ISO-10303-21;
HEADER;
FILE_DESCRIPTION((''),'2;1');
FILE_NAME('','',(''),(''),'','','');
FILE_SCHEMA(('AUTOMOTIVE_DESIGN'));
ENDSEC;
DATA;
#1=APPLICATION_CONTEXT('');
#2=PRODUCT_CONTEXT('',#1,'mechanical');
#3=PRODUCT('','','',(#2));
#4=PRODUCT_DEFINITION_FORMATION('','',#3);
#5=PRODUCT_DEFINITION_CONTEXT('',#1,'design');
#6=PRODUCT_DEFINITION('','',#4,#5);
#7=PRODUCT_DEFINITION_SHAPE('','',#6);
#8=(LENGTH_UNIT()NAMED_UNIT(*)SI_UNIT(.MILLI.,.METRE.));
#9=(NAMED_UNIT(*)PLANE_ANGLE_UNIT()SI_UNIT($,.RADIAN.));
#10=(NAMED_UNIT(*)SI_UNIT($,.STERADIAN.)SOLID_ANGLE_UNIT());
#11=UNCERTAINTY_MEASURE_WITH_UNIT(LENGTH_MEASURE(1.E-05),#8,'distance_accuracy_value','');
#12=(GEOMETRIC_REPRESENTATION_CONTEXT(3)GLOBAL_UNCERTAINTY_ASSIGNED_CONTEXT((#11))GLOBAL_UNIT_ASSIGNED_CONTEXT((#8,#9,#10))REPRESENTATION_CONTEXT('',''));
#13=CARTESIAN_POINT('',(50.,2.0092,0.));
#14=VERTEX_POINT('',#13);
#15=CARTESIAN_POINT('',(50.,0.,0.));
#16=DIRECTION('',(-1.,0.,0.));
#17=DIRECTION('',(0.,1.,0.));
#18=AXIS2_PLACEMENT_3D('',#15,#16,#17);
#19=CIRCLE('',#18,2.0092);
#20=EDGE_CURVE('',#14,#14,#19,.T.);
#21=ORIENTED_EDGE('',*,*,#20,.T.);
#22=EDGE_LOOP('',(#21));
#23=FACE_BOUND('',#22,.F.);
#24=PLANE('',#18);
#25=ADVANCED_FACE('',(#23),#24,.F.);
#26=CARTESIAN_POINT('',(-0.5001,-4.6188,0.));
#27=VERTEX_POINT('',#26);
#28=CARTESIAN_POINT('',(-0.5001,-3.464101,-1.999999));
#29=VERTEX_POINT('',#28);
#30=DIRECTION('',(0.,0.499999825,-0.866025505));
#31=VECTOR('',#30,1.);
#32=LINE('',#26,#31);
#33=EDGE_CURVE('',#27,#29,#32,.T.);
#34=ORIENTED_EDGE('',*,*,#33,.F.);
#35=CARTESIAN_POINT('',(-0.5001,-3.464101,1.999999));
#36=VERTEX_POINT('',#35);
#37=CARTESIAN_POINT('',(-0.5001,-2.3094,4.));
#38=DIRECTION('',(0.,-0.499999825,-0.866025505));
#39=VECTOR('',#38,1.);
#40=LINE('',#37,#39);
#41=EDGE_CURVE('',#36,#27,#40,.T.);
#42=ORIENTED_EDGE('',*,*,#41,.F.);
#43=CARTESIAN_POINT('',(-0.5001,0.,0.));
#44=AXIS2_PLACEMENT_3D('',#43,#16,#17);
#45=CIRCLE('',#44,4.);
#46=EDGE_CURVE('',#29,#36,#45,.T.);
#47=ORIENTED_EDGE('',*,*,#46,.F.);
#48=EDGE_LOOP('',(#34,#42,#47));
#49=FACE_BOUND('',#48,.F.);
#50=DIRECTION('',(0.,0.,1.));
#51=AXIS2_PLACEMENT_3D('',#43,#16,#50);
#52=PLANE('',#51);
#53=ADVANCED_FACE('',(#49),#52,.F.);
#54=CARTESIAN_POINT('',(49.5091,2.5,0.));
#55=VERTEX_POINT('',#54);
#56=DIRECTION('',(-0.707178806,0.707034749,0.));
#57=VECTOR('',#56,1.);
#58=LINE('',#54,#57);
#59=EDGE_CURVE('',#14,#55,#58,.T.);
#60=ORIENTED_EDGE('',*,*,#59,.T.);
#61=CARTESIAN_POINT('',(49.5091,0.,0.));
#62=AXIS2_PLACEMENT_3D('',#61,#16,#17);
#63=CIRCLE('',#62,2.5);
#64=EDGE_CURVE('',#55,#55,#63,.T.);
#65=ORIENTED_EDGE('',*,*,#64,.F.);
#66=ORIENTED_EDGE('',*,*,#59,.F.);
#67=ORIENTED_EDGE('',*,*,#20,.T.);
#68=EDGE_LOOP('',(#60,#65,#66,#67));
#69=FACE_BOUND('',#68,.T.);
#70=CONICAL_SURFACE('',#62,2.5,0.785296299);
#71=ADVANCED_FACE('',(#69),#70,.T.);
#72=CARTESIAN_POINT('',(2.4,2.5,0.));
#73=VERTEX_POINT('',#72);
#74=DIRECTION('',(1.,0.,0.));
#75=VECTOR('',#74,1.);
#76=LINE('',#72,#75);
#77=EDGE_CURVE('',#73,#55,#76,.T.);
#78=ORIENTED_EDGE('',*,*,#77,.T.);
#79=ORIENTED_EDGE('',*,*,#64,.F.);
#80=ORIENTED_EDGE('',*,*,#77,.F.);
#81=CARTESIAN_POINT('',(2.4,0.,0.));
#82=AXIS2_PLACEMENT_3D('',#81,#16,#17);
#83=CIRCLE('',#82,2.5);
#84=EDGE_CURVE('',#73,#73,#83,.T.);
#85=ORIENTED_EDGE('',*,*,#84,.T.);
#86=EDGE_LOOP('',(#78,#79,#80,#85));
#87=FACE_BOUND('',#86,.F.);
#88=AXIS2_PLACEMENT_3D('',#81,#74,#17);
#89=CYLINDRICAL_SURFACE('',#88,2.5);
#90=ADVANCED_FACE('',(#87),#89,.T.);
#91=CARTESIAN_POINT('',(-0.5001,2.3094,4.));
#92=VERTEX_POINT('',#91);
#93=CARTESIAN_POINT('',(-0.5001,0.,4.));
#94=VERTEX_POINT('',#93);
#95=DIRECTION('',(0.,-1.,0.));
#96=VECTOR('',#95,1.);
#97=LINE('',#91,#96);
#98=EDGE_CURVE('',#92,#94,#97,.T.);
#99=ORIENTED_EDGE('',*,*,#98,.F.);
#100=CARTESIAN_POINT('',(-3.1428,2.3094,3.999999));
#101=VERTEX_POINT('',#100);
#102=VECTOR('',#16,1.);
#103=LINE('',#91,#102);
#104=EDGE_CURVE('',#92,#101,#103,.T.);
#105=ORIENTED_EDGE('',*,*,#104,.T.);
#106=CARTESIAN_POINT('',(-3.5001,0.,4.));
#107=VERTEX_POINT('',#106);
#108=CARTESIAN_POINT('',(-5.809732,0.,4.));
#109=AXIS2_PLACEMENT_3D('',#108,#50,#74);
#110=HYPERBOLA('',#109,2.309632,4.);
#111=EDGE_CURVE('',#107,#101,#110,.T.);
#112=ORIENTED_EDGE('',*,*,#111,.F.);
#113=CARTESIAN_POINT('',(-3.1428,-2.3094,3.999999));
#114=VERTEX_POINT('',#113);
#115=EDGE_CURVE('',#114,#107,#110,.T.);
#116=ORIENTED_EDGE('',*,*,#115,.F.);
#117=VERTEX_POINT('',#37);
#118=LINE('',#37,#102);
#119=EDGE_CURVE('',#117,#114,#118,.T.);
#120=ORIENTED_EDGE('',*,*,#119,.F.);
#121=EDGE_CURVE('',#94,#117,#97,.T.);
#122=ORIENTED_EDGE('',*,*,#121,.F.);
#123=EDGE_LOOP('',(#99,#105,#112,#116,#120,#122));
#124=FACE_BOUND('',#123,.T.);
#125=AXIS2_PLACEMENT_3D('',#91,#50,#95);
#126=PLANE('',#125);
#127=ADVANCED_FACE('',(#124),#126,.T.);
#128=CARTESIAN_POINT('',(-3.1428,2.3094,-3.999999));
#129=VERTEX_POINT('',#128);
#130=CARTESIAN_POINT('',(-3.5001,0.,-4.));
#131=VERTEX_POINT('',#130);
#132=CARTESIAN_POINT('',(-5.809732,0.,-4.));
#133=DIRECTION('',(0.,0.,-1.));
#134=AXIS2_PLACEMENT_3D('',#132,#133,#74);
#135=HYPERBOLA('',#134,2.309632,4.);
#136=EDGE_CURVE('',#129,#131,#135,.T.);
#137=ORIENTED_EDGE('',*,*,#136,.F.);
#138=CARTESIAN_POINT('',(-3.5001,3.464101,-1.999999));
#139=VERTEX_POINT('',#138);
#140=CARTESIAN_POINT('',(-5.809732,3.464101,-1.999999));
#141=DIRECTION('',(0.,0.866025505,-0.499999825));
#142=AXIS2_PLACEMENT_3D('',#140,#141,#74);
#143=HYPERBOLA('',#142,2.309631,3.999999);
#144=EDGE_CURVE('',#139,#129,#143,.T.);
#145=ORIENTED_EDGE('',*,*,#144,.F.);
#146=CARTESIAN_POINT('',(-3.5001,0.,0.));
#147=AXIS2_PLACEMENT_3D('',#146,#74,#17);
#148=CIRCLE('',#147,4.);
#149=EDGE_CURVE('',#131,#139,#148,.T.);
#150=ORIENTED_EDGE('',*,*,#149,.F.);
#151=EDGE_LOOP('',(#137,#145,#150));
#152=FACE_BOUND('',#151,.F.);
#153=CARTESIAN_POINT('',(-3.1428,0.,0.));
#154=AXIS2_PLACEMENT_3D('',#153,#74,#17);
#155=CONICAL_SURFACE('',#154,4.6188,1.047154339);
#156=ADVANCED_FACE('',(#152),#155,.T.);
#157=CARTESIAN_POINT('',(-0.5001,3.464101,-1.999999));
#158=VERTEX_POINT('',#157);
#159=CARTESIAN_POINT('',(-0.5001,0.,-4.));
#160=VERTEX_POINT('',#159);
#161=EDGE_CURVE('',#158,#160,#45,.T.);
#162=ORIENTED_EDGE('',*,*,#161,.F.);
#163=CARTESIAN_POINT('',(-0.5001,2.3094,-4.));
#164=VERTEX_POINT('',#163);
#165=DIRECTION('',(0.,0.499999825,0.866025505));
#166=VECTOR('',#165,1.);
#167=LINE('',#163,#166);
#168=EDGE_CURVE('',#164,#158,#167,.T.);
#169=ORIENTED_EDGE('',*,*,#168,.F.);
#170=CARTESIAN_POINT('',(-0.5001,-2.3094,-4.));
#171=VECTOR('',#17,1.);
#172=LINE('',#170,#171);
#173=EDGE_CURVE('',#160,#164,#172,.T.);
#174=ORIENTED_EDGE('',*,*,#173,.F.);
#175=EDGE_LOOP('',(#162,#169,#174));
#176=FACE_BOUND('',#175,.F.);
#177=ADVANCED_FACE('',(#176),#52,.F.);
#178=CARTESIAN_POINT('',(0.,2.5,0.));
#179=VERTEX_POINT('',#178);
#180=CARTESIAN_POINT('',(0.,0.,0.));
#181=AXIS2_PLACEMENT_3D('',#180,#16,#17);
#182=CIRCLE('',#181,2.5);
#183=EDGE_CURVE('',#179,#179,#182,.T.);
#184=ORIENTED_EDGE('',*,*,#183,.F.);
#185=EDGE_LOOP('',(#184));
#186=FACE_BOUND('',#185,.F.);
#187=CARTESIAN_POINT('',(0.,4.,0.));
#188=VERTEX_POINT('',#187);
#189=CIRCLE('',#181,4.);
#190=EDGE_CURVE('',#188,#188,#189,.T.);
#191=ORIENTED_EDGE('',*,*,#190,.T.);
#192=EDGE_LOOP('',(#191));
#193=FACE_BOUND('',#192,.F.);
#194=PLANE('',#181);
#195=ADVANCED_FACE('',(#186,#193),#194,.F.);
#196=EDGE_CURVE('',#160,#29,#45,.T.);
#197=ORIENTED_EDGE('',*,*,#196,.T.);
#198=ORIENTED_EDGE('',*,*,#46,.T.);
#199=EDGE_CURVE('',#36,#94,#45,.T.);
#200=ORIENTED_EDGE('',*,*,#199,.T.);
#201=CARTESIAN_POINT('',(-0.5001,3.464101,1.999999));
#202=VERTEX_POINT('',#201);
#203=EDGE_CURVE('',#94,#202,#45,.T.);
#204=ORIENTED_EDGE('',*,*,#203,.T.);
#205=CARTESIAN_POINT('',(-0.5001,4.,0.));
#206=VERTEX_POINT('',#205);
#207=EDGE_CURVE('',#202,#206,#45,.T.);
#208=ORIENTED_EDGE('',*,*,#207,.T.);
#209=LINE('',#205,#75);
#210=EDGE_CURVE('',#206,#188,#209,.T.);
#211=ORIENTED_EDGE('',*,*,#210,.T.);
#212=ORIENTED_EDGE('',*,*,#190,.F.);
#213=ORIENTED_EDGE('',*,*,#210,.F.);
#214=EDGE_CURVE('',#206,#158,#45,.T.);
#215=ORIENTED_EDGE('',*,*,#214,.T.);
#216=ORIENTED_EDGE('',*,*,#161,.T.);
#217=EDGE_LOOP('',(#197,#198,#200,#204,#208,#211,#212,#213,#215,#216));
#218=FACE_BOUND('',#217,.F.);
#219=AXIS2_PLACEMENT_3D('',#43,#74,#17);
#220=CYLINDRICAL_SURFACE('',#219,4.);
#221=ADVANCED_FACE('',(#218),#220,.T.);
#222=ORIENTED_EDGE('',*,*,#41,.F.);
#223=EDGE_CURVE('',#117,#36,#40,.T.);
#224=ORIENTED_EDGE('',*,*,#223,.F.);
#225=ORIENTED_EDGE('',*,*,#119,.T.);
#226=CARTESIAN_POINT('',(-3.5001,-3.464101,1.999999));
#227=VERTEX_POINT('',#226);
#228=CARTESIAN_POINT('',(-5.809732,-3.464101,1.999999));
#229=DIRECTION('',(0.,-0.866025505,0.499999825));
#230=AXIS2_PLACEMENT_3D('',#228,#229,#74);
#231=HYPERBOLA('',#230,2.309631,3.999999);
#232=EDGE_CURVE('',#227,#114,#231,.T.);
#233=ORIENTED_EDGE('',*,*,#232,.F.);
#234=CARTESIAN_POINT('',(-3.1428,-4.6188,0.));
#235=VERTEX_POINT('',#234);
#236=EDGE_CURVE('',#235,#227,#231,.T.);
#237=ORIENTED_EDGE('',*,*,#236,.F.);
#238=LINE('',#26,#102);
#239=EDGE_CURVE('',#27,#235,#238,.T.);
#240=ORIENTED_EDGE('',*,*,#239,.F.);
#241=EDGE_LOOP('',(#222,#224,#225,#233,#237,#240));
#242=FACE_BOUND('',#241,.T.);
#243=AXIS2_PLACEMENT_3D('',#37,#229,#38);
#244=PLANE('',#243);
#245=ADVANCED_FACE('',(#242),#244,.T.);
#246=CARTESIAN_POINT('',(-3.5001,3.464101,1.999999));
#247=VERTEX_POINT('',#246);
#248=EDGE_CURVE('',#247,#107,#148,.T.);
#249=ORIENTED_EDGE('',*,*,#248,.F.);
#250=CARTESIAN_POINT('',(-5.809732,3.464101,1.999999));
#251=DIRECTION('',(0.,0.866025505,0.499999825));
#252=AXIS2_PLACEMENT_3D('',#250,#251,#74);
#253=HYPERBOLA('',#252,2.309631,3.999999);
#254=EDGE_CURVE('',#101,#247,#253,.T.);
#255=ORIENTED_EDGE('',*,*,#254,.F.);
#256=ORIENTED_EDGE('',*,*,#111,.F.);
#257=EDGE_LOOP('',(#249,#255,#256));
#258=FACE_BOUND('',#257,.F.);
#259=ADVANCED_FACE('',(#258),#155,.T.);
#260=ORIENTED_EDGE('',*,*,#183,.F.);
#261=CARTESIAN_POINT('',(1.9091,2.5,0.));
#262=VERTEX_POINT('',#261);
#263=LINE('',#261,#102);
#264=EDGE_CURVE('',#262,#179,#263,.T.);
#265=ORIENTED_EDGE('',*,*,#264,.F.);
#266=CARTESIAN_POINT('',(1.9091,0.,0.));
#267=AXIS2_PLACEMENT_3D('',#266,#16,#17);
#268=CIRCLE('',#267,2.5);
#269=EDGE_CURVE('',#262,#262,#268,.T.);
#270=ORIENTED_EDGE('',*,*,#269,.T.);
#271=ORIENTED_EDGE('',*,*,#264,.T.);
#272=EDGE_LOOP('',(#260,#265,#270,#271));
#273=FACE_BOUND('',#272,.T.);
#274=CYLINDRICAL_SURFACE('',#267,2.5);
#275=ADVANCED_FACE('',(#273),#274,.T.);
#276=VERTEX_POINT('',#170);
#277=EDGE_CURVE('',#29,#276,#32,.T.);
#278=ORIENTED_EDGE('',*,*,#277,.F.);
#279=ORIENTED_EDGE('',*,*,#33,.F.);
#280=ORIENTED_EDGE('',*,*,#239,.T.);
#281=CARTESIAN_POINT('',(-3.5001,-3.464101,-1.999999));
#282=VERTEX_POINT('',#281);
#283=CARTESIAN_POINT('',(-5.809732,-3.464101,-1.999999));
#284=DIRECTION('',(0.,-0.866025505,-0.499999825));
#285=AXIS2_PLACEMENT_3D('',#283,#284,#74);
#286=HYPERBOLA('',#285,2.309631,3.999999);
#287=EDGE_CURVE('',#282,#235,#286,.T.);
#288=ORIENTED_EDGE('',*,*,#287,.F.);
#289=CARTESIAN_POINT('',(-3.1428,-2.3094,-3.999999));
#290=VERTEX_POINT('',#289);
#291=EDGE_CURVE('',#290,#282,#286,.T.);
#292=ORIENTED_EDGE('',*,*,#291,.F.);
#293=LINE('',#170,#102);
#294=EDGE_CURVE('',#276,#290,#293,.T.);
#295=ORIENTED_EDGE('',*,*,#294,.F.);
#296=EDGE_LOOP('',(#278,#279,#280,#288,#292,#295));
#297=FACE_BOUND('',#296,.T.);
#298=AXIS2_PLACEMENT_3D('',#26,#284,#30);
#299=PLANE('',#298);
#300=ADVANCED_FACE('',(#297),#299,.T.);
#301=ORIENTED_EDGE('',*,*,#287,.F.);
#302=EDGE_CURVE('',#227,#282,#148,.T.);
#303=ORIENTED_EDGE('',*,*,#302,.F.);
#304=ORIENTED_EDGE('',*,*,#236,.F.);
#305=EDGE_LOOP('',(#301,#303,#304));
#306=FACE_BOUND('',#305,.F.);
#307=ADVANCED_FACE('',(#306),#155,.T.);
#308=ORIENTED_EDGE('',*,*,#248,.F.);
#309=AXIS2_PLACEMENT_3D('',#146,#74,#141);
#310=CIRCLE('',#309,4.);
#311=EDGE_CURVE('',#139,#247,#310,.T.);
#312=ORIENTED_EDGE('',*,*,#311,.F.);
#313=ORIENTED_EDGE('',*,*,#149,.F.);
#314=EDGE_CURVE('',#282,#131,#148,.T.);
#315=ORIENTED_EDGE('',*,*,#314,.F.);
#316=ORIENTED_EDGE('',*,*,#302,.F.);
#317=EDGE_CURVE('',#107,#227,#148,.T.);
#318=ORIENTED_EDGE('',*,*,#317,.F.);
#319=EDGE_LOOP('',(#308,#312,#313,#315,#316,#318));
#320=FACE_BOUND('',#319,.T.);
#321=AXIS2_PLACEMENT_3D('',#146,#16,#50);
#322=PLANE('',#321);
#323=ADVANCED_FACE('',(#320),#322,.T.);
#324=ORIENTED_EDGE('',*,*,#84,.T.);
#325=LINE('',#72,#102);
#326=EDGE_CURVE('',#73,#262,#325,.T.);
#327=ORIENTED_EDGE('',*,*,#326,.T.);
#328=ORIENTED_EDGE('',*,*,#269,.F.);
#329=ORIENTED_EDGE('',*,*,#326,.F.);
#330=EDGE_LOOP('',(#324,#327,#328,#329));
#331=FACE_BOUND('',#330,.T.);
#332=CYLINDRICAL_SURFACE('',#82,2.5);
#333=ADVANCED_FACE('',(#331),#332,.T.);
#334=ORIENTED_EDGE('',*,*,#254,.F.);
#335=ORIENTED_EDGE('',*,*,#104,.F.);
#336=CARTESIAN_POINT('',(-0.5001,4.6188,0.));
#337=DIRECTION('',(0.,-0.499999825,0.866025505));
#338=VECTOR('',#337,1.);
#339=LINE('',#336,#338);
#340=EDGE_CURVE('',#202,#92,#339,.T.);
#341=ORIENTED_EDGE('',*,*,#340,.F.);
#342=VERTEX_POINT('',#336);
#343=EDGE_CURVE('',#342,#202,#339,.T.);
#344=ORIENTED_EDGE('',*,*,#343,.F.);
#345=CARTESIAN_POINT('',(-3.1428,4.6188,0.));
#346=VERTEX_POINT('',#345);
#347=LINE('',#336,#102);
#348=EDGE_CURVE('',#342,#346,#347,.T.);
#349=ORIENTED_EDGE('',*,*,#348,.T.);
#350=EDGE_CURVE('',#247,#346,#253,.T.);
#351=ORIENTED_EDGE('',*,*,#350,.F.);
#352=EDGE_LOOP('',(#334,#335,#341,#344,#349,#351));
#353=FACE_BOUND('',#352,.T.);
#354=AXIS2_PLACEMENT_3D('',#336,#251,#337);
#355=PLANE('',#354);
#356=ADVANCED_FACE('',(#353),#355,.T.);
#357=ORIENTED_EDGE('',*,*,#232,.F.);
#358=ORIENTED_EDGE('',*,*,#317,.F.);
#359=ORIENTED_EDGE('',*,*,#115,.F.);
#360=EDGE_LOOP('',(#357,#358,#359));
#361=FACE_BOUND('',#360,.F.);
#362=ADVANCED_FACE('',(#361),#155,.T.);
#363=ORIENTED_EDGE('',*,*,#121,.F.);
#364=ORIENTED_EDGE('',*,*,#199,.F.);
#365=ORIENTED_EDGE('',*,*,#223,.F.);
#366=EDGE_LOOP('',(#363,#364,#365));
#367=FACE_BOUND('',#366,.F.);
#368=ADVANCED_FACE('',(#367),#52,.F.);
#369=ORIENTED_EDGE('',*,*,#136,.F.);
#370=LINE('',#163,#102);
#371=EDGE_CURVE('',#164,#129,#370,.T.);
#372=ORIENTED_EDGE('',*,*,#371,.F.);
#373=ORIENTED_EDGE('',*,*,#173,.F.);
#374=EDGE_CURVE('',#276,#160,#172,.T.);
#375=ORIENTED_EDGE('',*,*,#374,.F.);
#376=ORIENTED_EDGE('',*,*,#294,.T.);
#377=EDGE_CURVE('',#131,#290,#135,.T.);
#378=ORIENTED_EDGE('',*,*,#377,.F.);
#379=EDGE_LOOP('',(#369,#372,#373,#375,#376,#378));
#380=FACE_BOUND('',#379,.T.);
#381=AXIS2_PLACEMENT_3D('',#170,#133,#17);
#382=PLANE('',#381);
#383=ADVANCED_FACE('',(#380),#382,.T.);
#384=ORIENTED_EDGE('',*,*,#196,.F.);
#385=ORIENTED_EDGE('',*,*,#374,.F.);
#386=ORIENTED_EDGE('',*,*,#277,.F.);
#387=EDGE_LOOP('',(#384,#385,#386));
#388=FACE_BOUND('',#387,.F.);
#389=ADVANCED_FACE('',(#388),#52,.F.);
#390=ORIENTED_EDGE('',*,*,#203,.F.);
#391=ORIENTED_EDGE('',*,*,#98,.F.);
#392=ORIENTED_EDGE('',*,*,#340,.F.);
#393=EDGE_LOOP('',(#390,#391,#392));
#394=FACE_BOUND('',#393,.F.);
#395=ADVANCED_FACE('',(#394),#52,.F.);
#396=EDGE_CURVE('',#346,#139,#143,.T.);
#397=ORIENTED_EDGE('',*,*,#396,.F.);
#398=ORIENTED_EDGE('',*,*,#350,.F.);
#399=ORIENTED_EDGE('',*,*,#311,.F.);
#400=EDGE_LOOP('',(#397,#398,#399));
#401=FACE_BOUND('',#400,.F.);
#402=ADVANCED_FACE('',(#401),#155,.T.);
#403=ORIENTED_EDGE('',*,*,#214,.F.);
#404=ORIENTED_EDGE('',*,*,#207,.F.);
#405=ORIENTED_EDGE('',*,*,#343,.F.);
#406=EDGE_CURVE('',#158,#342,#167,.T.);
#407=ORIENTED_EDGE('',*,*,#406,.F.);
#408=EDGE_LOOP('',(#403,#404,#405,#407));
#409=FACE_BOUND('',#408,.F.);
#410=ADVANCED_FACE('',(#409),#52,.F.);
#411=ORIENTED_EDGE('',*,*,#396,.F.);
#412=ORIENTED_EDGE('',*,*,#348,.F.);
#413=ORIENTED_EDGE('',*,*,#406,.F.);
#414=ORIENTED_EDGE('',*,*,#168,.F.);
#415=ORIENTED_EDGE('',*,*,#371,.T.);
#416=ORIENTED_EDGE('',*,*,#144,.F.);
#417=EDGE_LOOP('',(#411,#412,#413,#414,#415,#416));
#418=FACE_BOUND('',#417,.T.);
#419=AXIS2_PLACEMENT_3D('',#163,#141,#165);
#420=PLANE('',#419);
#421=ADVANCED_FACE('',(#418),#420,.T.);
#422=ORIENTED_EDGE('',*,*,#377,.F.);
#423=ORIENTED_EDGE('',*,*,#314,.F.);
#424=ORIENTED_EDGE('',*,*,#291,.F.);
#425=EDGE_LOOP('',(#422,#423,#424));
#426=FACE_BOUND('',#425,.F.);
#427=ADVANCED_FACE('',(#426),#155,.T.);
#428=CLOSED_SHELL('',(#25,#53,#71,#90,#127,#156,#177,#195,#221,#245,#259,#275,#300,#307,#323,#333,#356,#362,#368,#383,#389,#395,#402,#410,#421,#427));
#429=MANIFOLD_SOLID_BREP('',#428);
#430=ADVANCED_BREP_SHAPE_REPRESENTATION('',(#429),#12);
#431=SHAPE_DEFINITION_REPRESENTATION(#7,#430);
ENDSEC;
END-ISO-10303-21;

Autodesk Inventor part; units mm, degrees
ref_plane "YZ Plane" through (0, 0, 0) normal (1, 0, 0) x (0, 1, 0)
ref_plane "XZ Plane" through (0, 0, 0) normal (0, 1, 0) x (-1, 0, 0)
sketch "Sketch1" plane through (0, 0, 0) normal (0, 0, 1) x (1, 0, 0)
  line L0 (0, 4) -> (0, 2.5)
  line L1 (2.4, 2.5) -> (50, 2.5)
  line L2 (50, 2.5) -> (50, 0)
  line L3 (50, 0) -> (-0.5001, 0)
  line L4 (-10.6001, 0) -> (60.1, 0) projected
  line L5 (-0.5001, 0) -> (-0.5001, 4)
  line L6 (-0.5001, 4) -> (0, 4)
  line L7 (2.4, 2.5) -> (1.9091, 2.5)
  line L8 (1.9091, 2.5) -> (0, 2.5)
  line L9 (0, -0.8) -> (0, 4.8) projected
  dimension "d0" = 50
  dimension "d1" = 47.6
  dimension "d2" = 5
  dimension "d9" = 0.5001
  dimension "d10" = 8
  dimension "d13" = 0.4909
  dimension "d14" = 5
revolve "Body" add sketch "Sketch1" angle 360 about axis through (50, 0, 0) along (-1, 0, 0)
sketch "Sketch2" plane through (-0.5001, 0, 0) normal (-1, 0, 0) x (0, 0, 1)
  line L0 (0, 4.6188) -> (4, 2.3094)
  line L1 (4, 2.3094) -> (4, -2.3094)
  line L2 (4, -2.3094) -> (0, -4.6188)
  line L3 (0, -4.6188) -> (-4, -2.3094)
  line L4 (-4, -2.3094) -> (-4, 2.3094)
  line L5 (-4, 2.3094) -> (0, 4.6188)
  point P0 (0, 0)
  point P1 (0, 0)
  dimension "d11" = 8
extrude "Head" add sketch "Sketch2" along normal blind 3
sketch "Sketch4" plane through (0, 0, 0) normal (0, 0, 1) x (1, 0, 0)
  line L0 (-3.5001, 4) -> (-3.5001, 4.6188)
  line L1 (-3.5001, 4.6188) -> (-3.1428, 4.6188)
  line L2 (-3.1428, 4.6188) -> (-3.5001, 4)
  line L3 (-4.1001, 0) -> (0.0999, 0) projected
  line L4 (-0.5001, 4.6188) -> (-3.5001, 4.6188) projected
  line L5 (-3.5001, 2.3094) -> (-3.5001, 4.6188) projected
  dimension "d5" = 30
  dimension "d19" = 8
revolve "Chamfer1" cut sketch "Sketch4" angle 360 about axis through (-10, 0, 0) along (1, 0, 0)
thread "Thread" size "M5x0.8" class "6g" standard "ISO Metric profile" length 47.6
chamfer "Chamfer2" distance 0.4908 distance2 0.4909 1 edges at (50, -2.5, 0) measured on face at (50, -0.2955, -1.5537)
ref_plane "Work Plane1" through (1.525, 0, 0) normal (0, 0, 1) x (1, 0, 0)
equation "\"d0\" = NLG"
equation "\"d1\" = GEL"
equation "\"d2\" = GD"
equation "\"d10\" = SD2"
equation "\"d14\" = BDM"
equation "\"d11\" = SW"
equation "\"d3\" = KOH - SD"
equation "\"d5\" = ANG1"
equation "\"d19\" = SW0"
equation "\"d15\" = GEL"
equation "\"d6\" = -0.5 * SPD + 0.5 * GD"
equation "\"NLG\" = 50"
equation "\"GD\" = NND"
equation "\"BDM\" = NND"
equation "\"KOH\" = 3.5"
equation "\"GEL\" = 47.6"
equation "\"SW\" = 8"
equation "\"SW0\" = SW"
equation "\"SPD\" = NND - 1.2269 * PTC"
equation "\"SD2\" = SW"
equation "\"SD\" = 0.5"
equation "\"ANG1\" = 30deg"
equation "\"GAL\" = 0.61345 * PTC"
equation "\"GUL\" = 0.61345 * PTC"
equation "\"RR\" = 0.2"
equation "\"WFT\" = SD"
equation "\"GD1\" = THREADDIA - 1.2269 * PTC"
equation "\"THREADDIA\" = 5"
equation "\"SDH\" = SW"
equation "\"TOA\" = 30deg"
equation "\"FAWI\" = 45deg"
equation "\"PTC\" = 0.8"
equation "\"NND\" = 5"
equation "\"E0\" = 1.155 * SW"
properties part number "AS 1110 - M5 x 50" material "Steel, Mild"
